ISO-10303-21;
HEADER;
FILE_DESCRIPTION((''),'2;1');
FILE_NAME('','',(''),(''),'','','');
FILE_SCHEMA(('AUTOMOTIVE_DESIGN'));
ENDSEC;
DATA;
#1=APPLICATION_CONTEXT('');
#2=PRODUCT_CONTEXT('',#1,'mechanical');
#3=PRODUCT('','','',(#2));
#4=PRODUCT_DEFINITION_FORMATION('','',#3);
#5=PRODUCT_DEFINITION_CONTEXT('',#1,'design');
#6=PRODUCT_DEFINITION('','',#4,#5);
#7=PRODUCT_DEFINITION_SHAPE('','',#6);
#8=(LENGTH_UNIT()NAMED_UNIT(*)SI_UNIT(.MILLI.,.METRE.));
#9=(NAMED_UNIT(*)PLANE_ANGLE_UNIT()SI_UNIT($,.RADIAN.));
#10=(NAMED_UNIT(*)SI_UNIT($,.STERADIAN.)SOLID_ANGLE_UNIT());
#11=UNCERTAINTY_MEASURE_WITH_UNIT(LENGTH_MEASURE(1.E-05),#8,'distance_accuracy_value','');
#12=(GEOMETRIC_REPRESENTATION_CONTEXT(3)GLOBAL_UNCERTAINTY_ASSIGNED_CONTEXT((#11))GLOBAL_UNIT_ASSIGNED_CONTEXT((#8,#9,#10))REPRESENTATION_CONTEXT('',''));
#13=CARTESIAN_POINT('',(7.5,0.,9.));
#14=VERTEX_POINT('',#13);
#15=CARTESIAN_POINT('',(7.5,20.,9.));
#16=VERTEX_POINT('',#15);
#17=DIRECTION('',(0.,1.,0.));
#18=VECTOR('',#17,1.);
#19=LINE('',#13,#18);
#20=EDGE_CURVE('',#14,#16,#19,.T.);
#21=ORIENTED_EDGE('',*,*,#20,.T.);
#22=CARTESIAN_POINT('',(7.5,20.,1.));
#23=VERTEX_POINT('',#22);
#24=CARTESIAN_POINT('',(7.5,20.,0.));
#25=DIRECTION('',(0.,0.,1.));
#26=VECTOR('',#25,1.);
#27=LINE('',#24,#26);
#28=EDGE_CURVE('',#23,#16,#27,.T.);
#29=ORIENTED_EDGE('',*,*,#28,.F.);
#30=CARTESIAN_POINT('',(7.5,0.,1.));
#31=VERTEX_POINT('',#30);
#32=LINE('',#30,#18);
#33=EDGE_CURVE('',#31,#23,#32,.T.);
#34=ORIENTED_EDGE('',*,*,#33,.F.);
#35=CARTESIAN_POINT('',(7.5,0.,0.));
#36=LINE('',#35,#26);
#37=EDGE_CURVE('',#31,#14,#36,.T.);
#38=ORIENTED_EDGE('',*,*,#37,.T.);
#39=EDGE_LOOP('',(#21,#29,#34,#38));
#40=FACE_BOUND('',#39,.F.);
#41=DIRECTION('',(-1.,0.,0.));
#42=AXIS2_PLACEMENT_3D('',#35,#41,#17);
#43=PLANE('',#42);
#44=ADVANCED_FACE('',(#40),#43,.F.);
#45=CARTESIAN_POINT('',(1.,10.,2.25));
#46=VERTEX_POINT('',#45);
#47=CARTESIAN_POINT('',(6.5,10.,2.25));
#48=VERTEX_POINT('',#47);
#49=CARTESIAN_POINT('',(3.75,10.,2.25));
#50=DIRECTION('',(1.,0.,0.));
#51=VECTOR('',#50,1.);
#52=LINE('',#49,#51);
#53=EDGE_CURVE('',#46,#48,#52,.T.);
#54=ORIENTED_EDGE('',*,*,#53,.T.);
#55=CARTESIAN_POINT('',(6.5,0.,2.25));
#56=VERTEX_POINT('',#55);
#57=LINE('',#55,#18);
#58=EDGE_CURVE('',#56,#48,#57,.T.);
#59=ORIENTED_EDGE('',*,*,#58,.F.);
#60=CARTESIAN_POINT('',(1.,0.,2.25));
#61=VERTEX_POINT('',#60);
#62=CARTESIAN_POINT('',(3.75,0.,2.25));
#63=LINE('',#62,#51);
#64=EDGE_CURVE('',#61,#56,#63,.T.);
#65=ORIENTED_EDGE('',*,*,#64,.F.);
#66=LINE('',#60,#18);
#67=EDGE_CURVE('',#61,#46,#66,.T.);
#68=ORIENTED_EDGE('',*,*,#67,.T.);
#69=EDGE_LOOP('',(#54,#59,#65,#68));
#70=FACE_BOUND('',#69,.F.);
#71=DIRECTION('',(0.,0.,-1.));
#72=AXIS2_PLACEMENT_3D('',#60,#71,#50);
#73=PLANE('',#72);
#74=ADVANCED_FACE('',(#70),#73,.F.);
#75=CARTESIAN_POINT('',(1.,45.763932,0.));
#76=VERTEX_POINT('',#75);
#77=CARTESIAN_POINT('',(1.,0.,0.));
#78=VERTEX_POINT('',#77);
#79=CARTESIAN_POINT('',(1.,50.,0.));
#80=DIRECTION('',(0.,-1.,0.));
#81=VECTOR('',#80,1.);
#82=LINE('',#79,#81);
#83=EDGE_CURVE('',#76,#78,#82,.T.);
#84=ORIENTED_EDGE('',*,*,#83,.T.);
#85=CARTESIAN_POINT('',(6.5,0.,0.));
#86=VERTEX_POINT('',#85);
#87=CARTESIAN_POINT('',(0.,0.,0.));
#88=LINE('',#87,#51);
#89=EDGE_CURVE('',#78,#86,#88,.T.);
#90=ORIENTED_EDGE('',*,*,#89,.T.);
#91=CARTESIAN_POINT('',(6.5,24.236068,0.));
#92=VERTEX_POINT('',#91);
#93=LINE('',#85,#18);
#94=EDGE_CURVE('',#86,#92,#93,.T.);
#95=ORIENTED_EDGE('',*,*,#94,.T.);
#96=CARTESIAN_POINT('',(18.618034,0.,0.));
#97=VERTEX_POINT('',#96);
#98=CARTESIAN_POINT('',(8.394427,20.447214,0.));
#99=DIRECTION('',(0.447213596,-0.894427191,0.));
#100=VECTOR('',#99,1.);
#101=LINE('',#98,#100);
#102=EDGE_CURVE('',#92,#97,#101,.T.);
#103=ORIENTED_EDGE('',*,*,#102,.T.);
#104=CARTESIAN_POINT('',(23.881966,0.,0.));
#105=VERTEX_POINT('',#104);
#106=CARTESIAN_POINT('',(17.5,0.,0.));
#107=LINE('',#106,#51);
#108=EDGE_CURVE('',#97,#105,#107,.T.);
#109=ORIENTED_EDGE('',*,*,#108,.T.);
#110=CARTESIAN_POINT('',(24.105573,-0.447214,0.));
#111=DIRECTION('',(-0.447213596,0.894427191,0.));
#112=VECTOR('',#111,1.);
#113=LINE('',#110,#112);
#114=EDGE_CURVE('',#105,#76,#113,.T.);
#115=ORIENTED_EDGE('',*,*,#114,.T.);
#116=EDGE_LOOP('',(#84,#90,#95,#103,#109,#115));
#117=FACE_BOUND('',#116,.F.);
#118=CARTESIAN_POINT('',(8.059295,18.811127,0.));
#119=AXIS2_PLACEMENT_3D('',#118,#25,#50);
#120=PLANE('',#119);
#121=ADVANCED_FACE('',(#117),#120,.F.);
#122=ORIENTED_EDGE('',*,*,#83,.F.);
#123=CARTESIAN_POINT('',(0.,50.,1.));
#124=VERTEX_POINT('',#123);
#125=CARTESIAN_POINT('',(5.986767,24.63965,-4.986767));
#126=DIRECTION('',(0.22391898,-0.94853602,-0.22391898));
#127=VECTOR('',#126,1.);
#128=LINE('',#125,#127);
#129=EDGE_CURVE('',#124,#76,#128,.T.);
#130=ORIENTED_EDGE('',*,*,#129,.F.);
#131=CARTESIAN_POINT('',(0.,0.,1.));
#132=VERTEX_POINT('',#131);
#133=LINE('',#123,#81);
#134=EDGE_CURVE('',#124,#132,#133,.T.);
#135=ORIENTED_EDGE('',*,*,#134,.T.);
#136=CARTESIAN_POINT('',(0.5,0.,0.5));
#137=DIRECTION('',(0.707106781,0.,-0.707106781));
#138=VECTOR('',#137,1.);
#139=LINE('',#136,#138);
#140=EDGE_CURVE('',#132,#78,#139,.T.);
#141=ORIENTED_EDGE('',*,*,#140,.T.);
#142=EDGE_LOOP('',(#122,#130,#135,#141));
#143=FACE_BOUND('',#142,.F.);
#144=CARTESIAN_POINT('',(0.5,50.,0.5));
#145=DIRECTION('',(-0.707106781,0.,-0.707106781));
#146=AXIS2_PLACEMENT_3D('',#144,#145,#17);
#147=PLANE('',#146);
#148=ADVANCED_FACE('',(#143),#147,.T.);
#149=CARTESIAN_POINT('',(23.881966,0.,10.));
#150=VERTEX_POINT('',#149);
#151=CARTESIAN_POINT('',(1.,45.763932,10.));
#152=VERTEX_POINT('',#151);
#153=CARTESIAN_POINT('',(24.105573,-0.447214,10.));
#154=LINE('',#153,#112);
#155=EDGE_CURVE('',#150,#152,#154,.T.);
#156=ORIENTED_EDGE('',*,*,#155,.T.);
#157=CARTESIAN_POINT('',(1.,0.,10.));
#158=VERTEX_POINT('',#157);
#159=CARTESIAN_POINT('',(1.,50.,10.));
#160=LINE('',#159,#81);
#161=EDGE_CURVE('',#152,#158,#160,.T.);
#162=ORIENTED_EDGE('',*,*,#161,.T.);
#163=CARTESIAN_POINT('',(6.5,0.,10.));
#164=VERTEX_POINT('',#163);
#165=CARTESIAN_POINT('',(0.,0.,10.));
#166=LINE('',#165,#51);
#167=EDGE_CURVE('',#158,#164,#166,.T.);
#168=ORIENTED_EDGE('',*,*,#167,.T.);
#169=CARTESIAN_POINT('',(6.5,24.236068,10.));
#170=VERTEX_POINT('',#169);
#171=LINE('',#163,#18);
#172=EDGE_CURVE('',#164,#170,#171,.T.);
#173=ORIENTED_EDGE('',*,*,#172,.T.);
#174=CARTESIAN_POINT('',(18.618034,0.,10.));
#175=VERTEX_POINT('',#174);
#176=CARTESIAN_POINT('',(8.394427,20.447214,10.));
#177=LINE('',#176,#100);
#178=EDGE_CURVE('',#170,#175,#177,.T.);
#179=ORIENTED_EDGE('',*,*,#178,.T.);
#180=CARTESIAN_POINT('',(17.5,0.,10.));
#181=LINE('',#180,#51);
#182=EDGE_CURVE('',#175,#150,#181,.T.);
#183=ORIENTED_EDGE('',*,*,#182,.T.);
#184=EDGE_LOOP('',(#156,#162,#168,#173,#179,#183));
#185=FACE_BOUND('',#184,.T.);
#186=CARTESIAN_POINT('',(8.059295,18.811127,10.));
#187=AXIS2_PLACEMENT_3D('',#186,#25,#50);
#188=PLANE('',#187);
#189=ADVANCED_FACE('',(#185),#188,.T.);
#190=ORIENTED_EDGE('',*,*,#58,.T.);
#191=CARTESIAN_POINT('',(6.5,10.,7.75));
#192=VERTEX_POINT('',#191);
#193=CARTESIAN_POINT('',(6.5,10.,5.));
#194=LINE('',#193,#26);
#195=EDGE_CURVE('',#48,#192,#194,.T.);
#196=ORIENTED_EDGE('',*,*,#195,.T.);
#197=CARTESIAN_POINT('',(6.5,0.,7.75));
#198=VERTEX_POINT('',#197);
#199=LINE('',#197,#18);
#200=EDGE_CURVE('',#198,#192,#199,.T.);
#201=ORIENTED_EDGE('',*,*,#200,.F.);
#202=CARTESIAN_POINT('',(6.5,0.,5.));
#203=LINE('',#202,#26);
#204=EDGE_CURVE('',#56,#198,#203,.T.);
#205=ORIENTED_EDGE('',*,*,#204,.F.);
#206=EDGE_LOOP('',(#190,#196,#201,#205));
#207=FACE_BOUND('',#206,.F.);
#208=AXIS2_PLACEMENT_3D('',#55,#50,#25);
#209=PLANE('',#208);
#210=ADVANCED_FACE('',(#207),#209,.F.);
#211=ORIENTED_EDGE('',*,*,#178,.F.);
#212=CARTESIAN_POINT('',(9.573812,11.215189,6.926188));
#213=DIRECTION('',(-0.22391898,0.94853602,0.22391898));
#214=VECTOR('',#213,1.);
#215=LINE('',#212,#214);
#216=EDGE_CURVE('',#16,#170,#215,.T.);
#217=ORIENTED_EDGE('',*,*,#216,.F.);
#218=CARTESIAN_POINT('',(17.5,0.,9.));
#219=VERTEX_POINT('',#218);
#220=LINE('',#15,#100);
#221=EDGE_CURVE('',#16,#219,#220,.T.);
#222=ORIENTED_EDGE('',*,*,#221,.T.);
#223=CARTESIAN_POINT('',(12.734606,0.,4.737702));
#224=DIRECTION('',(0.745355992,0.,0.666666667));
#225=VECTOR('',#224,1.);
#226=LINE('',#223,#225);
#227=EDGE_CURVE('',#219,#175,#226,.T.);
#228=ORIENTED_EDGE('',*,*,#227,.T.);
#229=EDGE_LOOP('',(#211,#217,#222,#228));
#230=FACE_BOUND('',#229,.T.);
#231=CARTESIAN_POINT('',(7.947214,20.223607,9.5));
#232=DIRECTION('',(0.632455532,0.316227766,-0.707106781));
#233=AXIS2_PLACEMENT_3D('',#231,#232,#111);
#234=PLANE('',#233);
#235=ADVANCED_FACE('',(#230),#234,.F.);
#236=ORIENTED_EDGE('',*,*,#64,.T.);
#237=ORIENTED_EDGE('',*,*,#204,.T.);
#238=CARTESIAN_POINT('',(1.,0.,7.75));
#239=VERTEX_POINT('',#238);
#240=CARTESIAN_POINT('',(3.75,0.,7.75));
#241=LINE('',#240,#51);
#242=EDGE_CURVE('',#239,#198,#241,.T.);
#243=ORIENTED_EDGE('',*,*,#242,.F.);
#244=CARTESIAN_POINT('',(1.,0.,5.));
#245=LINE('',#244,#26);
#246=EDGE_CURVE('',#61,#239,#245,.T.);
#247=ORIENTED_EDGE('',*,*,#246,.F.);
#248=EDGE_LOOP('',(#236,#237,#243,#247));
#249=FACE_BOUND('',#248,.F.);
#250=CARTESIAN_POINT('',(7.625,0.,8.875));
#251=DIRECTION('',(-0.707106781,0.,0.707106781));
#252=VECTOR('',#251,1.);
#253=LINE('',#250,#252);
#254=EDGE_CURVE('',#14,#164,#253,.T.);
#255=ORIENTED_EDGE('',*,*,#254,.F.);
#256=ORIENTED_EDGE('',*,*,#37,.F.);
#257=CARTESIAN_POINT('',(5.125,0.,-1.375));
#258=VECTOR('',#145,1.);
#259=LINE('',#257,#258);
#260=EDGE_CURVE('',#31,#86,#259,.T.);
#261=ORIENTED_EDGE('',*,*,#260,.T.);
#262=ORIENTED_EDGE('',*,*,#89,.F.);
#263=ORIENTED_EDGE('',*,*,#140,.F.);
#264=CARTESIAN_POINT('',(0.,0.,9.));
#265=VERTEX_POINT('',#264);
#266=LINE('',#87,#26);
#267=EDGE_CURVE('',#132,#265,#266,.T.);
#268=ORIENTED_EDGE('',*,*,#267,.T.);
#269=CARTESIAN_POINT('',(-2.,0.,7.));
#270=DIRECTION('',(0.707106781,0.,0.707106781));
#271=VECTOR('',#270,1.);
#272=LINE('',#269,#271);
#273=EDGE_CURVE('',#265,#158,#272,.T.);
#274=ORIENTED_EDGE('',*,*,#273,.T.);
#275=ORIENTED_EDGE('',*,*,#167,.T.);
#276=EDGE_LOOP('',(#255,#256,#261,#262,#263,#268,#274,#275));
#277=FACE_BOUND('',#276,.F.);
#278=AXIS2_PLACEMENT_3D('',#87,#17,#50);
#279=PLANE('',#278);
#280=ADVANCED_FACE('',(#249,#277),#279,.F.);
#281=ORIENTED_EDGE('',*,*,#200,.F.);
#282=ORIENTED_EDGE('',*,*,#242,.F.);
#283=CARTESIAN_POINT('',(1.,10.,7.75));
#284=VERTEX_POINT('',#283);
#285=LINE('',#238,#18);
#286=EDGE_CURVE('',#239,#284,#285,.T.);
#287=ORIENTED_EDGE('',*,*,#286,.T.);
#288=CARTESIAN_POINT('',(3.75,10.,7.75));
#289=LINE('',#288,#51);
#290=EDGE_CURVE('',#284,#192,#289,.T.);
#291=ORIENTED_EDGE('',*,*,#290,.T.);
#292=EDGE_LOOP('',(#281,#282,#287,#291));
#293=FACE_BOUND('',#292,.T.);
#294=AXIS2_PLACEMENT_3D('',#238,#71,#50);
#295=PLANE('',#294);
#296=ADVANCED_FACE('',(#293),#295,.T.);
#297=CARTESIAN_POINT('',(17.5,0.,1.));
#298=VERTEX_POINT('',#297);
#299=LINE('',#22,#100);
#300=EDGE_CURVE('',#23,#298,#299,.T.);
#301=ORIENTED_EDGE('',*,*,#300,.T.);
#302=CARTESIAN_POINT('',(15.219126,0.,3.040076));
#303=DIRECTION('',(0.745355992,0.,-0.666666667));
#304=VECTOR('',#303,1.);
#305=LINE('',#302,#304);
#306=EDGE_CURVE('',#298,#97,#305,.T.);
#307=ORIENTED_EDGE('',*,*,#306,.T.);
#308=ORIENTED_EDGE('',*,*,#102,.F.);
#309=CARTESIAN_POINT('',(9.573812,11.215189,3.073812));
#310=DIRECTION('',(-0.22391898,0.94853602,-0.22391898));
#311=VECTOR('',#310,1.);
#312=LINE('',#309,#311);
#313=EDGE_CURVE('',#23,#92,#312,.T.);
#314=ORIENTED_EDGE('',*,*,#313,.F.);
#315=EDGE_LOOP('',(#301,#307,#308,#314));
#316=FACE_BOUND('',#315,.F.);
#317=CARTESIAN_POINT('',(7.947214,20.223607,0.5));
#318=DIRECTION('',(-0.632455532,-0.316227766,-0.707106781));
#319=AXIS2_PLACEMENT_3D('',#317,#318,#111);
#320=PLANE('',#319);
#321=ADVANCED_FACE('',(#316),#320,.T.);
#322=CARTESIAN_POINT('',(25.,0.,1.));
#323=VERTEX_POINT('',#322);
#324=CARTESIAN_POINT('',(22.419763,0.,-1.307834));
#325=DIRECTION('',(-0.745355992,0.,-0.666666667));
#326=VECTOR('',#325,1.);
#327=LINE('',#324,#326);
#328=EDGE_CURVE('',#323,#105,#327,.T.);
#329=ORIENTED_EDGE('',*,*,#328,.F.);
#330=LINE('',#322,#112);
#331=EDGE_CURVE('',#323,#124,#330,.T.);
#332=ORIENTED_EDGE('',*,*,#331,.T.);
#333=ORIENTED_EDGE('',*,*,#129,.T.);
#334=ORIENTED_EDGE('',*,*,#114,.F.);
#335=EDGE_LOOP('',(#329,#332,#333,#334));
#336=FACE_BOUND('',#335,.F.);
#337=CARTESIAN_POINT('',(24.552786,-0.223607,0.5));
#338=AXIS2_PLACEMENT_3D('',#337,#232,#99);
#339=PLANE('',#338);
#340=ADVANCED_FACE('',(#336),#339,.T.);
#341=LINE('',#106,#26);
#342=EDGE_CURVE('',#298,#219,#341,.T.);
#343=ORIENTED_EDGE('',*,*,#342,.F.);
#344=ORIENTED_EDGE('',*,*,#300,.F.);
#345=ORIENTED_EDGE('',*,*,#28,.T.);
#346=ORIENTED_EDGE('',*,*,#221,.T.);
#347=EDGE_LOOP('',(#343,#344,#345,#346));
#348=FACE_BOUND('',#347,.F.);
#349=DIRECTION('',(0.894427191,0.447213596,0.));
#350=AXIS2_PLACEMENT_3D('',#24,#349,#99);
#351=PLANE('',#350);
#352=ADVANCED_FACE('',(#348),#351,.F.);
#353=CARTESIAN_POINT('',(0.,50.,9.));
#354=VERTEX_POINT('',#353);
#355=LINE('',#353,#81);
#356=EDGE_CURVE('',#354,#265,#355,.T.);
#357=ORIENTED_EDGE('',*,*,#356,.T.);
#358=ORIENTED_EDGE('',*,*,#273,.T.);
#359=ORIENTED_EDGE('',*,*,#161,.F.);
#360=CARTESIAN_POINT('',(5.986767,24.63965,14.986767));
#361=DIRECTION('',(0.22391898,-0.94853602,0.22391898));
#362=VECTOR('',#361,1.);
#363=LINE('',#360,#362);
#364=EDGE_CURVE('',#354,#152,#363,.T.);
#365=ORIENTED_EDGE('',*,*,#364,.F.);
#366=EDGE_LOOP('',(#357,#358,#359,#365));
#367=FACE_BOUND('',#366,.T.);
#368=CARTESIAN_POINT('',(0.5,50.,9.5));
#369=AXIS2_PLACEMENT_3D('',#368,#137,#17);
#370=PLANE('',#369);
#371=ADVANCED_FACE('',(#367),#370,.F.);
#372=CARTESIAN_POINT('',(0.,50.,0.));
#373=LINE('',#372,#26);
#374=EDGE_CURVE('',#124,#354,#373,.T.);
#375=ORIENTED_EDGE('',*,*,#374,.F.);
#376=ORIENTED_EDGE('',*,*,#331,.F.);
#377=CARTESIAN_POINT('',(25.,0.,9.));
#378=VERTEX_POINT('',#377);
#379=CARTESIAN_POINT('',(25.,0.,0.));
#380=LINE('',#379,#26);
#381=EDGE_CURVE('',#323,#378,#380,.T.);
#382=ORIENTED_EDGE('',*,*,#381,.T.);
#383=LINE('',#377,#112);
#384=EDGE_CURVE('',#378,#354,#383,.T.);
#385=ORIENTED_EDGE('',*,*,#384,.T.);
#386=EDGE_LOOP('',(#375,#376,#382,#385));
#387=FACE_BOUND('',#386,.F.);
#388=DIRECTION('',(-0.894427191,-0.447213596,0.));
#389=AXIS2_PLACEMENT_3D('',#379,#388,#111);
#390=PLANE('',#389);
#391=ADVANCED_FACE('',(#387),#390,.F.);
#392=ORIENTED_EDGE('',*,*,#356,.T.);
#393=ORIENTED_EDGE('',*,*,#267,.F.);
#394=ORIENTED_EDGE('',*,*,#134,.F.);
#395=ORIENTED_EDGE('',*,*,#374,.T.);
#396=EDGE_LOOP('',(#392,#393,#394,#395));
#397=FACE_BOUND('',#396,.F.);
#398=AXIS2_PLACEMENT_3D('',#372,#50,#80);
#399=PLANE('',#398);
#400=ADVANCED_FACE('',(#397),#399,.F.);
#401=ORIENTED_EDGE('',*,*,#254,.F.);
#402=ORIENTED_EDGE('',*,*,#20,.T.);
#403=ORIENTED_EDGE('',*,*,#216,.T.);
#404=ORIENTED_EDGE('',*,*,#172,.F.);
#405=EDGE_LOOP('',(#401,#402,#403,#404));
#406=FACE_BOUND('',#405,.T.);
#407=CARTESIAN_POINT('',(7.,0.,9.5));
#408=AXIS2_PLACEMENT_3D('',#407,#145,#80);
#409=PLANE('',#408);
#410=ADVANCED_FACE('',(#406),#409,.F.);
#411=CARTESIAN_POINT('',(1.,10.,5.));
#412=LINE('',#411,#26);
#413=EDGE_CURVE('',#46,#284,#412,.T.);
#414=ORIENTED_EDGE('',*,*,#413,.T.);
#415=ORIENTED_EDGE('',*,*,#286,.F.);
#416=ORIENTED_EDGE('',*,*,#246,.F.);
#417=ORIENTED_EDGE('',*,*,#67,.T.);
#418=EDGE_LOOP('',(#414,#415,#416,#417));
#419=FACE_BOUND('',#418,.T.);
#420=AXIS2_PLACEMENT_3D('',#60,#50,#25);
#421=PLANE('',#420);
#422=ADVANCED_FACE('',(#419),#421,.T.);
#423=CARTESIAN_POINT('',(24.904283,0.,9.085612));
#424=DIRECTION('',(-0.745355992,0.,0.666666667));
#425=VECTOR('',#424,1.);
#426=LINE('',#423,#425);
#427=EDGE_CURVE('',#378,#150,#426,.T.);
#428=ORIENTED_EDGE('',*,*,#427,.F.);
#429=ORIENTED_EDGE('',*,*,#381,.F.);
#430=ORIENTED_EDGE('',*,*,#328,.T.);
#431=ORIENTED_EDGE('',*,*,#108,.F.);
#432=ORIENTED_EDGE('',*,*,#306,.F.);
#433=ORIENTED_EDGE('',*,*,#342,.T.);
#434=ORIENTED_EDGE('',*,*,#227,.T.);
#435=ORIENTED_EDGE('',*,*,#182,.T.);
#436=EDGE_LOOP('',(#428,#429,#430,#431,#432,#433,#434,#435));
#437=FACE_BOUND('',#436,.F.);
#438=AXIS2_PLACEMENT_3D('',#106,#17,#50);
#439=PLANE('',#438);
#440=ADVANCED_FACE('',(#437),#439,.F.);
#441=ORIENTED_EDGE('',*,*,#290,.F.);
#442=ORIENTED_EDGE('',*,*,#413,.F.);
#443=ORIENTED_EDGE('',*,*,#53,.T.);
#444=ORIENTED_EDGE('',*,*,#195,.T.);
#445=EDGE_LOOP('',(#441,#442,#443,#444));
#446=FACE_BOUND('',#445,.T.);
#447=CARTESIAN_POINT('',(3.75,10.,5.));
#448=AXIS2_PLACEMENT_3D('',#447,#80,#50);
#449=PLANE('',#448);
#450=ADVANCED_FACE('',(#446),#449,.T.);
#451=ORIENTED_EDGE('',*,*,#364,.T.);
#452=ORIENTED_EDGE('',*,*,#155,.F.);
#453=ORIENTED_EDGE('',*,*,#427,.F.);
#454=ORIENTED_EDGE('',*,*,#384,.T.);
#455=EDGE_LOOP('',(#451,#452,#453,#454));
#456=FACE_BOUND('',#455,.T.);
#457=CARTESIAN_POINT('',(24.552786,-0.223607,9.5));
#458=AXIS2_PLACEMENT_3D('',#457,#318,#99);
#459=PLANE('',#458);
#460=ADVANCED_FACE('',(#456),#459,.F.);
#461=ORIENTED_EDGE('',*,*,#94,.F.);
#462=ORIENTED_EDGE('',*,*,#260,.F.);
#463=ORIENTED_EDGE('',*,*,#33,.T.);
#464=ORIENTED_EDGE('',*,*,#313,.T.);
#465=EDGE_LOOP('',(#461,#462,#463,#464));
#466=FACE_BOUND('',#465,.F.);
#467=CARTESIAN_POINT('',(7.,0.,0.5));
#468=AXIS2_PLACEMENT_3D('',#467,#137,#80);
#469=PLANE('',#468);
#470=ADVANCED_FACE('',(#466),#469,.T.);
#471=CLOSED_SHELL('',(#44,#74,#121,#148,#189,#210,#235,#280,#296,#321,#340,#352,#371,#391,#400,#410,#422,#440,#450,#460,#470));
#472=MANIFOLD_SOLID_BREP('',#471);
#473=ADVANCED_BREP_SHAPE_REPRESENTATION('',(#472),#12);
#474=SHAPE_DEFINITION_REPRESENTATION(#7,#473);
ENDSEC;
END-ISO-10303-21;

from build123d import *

# Parameters (mm, degrees)
F1_DEPTH = 10
F2_SIZE  = 1
F3_W     = 5.5
F3_H     = 5.5
F4_DEPTH = 10


with BuildPart() as f1:
    # F0 (on Top) → F1 (new body)
    with BuildSketch(Plane.XY):
        Polygon((0, 50), (0, 0), (7.5, 0), (7.5, 20), (17.5, 0), (25, 0), align=None)
    extrude(amount=F1_DEPTH)

    # F2
    f2_edges = [f1.edges().sort_by_distance(p)[0] for p in [
        (12.5, 10, 10),
        (7.5, 10, 10),
        (0, 25, 10),
        (12.5, 25, 10),
        (12.5, 10, 0),
        (7.5, 10, 0),
        (0, 25, 0),
        (12.5, 25, 0),
    ]]
    chamfer(f2_edges, length=F2_SIZE)

    # F3 (on face) → F4 (cut)
    with BuildSketch(Plane.XZ):
        with Locations((3.75, 5)):
            Rectangle(F3_W, F3_H)
    extrude(amount=-F4_DEPTH, mode=Mode.SUBTRACT)


solid = f1.part
